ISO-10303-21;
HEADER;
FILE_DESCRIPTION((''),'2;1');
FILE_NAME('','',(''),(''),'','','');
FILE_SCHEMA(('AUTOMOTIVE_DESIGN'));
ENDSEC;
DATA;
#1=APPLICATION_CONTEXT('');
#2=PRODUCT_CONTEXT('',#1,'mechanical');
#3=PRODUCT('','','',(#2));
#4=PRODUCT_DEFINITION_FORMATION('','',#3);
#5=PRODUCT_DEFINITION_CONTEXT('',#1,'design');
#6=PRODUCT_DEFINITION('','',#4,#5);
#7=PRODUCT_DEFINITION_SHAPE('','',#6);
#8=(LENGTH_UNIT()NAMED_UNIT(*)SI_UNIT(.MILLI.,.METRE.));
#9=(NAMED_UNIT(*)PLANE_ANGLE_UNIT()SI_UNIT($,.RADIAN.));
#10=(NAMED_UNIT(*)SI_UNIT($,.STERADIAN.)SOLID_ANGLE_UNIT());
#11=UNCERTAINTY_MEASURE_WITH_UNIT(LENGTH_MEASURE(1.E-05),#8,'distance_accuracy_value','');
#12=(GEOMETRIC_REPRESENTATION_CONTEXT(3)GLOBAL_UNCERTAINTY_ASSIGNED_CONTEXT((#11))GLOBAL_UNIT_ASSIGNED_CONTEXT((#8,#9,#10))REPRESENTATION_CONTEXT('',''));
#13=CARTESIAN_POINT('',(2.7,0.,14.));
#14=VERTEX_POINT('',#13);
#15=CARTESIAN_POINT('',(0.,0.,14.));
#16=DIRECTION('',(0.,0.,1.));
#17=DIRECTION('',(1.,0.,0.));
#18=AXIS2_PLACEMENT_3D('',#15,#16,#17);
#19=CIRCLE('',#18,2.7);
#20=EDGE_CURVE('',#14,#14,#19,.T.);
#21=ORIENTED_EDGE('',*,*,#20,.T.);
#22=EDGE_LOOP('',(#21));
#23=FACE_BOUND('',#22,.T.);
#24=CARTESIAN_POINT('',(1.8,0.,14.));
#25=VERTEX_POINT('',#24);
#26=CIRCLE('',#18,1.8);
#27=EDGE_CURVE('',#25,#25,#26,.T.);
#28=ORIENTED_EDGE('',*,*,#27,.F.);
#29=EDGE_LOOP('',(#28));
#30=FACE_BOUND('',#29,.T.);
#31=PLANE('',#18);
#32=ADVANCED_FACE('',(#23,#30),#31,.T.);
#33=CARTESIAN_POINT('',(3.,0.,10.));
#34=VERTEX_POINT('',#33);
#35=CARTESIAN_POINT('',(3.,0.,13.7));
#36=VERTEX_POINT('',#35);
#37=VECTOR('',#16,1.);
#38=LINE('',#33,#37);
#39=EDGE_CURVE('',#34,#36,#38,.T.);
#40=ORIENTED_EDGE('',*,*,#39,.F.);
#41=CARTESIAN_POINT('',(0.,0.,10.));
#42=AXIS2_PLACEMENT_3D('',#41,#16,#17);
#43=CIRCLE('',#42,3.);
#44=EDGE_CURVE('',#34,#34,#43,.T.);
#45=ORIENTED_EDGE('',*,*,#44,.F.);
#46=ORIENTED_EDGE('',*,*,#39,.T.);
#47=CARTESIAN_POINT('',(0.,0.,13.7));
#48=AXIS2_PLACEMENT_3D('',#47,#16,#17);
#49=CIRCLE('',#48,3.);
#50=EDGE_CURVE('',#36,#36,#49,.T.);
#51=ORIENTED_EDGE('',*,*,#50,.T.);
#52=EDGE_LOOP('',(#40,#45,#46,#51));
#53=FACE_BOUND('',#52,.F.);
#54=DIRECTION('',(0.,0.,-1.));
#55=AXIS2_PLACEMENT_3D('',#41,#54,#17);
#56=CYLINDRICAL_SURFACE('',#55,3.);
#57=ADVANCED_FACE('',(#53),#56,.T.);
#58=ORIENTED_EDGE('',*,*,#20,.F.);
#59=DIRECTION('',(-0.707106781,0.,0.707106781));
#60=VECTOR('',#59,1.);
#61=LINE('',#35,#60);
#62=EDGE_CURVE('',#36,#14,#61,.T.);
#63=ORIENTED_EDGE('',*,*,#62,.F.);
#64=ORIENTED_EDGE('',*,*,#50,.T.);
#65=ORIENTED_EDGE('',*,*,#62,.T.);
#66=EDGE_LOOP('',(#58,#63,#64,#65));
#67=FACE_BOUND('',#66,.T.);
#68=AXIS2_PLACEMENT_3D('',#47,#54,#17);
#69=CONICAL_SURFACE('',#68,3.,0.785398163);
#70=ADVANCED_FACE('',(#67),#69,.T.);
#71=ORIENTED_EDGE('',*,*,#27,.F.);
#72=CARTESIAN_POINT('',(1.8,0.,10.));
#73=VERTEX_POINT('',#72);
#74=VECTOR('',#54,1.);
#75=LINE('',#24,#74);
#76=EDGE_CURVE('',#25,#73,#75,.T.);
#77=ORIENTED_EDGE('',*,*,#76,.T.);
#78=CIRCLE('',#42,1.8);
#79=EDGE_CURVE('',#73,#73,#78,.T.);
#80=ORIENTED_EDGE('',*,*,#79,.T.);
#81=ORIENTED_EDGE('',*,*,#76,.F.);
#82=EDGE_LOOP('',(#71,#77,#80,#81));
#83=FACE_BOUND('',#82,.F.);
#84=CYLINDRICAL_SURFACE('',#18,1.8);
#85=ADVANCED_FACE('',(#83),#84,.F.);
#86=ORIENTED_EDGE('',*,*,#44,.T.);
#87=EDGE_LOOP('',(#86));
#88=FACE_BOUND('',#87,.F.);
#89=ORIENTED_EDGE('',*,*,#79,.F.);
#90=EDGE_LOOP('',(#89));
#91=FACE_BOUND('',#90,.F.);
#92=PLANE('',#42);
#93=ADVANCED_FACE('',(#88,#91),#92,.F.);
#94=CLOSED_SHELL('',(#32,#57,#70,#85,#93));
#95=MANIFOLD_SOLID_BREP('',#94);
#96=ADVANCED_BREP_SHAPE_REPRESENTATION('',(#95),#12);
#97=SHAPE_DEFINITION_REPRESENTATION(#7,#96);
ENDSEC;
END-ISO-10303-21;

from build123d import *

# Parameters (mm, degrees)
SKETCH016_R     = 3
PAD007_DEPTH    = 4
SKETCH023_R     = 1.8
POCKET007_DEPTH = 6
CHAMFER001_SIZE = 0.3


with BuildPart() as part:
    # Sketch016 → Pad007 (new body)
    with BuildSketch(Plane.XY.offset(11)):
        Circle(SKETCH016_R)
    extrude(amount=PAD007_DEPTH)

    # Sketch023 (on Face3 of Pad007) → Pocket007 (cut)
    with BuildSketch(Plane.XY.offset(15)):
        Circle(SKETCH023_R)
    extrude(amount=-POCKET007_DEPTH, mode=Mode.SUBTRACT)

    # Chamfer001
    chamfer001_edges = [part.edges().sort_by_distance(p)[0] for p in [
        (-3, 0, 15),
    ]]
    chamfer(chamfer001_edges, length=CHAMFER001_SIZE)


with BuildPart() as part_1:
    # Body002 placement: moved
    add(part.part.moved(Location((0, 0, -1))))


solid = part_1.part
